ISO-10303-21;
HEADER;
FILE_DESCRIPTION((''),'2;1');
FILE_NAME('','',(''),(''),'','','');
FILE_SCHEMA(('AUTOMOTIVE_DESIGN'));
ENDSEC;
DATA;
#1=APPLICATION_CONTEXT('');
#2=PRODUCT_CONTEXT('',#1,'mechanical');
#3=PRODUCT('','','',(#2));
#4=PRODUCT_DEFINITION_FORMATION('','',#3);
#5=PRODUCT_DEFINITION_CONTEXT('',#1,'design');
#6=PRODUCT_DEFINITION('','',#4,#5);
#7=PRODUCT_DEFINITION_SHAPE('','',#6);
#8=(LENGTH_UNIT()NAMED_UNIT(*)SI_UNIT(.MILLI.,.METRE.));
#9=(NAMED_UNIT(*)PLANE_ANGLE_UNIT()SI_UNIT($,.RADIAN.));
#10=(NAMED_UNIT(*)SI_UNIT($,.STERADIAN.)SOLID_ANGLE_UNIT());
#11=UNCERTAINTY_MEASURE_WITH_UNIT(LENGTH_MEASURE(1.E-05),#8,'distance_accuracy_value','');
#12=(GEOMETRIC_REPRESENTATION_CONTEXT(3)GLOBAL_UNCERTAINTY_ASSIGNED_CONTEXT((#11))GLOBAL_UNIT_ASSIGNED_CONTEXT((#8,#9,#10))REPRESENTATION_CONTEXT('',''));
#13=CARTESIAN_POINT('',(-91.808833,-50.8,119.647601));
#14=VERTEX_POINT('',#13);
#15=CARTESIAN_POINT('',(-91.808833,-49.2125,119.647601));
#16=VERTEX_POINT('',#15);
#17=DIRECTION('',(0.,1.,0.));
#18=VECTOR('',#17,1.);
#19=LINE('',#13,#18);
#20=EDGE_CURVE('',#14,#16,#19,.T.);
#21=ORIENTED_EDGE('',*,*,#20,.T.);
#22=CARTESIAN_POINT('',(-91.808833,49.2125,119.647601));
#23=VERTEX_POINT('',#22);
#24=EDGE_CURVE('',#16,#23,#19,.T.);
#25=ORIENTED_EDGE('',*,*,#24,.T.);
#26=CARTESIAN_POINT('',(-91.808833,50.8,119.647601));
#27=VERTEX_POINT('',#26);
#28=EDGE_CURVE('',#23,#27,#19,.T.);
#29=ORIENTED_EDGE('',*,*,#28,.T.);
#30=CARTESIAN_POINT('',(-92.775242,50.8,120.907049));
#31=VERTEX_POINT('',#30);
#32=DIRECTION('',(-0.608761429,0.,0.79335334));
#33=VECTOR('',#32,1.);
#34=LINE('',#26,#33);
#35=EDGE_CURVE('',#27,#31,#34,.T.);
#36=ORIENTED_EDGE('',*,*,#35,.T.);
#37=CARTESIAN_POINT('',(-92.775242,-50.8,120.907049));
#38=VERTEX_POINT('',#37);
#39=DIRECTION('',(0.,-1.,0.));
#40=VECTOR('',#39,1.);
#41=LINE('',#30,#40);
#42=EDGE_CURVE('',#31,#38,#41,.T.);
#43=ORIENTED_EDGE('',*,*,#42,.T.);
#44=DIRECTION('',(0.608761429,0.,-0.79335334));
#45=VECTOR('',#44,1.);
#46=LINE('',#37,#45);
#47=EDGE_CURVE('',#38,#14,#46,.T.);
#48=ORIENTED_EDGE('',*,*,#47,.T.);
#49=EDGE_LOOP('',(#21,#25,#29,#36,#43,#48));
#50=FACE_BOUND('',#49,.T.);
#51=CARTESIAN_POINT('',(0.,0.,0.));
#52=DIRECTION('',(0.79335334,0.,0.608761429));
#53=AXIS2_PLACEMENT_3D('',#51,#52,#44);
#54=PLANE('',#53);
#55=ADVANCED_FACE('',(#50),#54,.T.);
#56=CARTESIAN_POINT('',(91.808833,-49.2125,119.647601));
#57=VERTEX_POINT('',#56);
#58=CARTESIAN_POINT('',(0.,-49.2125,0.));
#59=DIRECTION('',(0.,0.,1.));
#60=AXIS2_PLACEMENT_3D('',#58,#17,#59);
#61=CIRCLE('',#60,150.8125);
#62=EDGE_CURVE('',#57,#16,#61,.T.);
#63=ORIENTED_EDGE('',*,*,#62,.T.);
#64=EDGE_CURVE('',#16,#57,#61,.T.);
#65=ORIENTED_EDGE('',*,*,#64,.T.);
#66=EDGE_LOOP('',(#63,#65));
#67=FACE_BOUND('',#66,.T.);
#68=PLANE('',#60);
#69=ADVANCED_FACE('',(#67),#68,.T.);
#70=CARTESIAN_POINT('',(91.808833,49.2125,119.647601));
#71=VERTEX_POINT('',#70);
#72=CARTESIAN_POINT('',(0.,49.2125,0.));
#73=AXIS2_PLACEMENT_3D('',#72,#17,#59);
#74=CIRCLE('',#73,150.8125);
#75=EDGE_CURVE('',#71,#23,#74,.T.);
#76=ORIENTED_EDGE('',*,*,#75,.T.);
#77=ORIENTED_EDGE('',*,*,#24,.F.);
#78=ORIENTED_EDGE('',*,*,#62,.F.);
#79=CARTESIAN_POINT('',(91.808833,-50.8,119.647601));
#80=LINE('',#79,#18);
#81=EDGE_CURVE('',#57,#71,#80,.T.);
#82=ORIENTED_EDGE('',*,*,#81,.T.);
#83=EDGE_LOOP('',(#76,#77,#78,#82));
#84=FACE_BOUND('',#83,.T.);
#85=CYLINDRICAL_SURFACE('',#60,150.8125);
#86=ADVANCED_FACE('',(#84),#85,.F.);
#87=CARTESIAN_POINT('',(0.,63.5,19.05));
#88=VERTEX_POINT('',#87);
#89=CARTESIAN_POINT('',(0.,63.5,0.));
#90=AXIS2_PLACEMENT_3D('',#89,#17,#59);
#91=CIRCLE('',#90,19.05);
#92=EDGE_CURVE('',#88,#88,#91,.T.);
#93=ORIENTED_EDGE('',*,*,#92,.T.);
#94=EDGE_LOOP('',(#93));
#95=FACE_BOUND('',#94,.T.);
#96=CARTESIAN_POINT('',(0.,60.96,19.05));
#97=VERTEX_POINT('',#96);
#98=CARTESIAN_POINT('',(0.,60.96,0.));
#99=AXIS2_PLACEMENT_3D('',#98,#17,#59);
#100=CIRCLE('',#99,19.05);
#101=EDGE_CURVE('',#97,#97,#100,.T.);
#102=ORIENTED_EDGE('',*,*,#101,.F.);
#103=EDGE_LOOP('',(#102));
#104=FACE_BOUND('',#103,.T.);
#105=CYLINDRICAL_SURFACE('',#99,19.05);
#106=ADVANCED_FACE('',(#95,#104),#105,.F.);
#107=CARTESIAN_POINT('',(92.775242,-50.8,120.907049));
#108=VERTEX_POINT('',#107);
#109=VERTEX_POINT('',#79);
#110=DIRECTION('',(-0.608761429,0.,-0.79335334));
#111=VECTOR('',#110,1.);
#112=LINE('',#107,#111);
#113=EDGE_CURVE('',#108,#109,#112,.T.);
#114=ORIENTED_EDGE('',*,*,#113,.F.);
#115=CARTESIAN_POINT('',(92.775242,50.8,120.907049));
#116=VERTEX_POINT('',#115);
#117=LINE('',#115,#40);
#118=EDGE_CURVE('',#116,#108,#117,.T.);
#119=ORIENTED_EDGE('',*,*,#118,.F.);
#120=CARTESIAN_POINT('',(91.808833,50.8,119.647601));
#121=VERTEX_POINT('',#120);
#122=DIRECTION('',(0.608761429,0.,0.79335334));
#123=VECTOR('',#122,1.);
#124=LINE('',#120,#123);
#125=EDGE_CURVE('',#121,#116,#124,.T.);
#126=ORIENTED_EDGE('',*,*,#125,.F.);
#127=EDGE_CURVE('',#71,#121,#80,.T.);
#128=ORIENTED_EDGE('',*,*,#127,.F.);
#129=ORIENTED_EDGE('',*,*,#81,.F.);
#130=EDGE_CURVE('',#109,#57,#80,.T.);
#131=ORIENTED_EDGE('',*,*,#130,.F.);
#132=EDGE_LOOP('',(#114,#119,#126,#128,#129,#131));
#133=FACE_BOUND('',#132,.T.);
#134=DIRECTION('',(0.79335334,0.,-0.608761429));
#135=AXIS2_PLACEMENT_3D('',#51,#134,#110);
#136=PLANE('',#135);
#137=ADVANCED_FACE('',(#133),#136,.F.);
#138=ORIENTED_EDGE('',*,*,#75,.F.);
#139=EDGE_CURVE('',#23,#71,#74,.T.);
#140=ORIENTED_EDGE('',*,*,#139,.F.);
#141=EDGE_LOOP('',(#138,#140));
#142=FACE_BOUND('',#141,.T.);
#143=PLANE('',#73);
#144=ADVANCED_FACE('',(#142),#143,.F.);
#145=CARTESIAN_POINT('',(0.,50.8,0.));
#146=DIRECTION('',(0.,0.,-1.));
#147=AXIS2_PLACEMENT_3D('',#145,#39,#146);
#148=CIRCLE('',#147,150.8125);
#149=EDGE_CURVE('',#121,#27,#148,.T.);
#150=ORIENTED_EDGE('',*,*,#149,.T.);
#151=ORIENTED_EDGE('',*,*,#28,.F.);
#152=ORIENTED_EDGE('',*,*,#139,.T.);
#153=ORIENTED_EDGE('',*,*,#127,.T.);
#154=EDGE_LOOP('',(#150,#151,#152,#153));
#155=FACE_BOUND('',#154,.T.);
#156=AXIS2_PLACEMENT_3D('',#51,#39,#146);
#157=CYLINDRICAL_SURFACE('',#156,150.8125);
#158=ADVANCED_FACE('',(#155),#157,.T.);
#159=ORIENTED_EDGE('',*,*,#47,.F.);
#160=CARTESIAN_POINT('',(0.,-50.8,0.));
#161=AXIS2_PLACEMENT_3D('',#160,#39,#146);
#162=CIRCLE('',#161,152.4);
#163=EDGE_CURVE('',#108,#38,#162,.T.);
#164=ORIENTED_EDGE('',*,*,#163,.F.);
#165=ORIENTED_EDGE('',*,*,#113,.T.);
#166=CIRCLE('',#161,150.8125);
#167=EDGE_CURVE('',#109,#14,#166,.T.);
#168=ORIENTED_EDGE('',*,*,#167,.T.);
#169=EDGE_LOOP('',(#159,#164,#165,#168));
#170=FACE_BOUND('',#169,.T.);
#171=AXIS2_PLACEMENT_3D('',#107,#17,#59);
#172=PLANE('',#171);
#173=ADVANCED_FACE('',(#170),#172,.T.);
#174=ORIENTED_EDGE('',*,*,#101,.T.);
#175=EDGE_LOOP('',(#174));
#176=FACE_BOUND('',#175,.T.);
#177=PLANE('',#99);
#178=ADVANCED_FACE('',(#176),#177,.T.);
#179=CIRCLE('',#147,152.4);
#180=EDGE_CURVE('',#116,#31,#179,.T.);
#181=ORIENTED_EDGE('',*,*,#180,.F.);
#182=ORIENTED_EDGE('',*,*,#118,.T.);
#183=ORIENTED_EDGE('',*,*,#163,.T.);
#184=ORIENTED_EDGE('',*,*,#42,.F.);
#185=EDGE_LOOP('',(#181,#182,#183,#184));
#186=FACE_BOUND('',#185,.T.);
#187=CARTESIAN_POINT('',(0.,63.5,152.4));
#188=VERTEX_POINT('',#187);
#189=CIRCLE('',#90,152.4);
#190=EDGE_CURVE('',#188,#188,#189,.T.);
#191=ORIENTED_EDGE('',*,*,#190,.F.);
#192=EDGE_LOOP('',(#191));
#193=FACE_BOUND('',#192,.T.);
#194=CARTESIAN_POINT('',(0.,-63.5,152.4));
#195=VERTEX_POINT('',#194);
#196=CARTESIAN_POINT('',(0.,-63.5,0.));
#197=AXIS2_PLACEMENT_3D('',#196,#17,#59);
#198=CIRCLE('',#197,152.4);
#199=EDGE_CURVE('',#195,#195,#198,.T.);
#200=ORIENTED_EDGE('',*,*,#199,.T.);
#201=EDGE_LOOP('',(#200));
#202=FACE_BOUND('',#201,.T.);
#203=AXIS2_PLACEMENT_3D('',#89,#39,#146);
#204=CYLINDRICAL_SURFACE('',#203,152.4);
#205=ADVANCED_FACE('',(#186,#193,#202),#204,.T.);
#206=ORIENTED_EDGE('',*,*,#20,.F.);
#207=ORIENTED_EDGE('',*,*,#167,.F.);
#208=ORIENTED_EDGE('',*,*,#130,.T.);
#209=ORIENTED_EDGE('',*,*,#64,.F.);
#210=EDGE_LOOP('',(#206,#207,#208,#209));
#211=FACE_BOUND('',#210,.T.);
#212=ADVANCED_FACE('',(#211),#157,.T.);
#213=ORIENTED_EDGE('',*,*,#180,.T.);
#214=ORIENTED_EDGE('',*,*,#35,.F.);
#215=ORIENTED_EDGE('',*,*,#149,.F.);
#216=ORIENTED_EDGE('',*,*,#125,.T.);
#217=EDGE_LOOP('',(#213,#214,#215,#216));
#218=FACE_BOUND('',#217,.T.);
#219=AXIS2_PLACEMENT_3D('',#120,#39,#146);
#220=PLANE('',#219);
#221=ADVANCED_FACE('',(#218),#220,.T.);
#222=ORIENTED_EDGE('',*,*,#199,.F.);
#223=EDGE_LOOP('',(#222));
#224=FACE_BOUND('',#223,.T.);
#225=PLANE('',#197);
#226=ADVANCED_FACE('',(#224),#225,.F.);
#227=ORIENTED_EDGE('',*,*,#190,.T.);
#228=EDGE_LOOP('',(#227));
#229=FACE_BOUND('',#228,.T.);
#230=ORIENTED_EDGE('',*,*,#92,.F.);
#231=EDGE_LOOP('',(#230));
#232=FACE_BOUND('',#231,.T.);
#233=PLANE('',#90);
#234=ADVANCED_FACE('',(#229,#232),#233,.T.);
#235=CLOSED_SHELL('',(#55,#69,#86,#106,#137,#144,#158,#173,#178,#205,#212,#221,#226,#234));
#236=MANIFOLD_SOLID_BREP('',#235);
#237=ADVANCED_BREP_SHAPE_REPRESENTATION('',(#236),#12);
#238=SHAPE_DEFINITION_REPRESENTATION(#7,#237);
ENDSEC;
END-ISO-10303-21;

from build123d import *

# Parameters (mm, degrees)
SKETCH1_R           = 152.4
BOSS_EXTRUDE1_DEPTH = 63.5
SKETCH2_R           = 150.8125
CUT_EXTRUDE1_DEPTH  = 49.2125
SKETCH3_W           = 1.5875
SKETCH3_H           = 101.6
CUT_REVOLVE1_ANGLE  = 75
SKETCH4_R           = 19.05
CUT_EXTRUDE2_DEPTH  = 2.54


with BuildPart() as part:
    # Sketch1 → Boss-Extrude1 (new body, symmetric)
    with BuildSketch(Plane(origin=(0, 0, 0), x_dir=(1, 0, 0), z_dir=(0, 1, 0))):
        Circle(SKETCH1_R)
    extrude(amount=BOSS_EXTRUDE1_DEPTH, both=True)

    # Sketch2 → Cut-Extrude1 (cut, symmetric)
    with BuildSketch(Plane(origin=(0, 0, 0), x_dir=(1, 0, 0), z_dir=(0, 1, 0))):
        Circle(SKETCH2_R)
    extrude(amount=CUT_EXTRUDE1_DEPTH, both=True, mode=Mode.SUBTRACT)

    # Sketch3 → Cut-Revolve1 (revolve, symmetric, cut)
    with BuildSketch(Plane(origin=(0, 0, 0), x_dir=(0, 0, -1), z_dir=(1, 0, 0))) as cut_revolve1_sk:
        with Locations((-151.60625, 0)):
            Rectangle(SKETCH3_W, SKETCH3_H)
    revolve(axis=Axis((0, 0, 0), (0, 1, 0)), revolution_arc=CUT_REVOLVE1_ANGLE / 2, mode=Mode.SUBTRACT)
    revolve(cut_revolve1_sk.sketch, axis=Axis((0, 0, 0), (0, -1, 0)), revolution_arc=CUT_REVOLVE1_ANGLE / 2, mode=Mode.SUBTRACT)

    # Sketch4 → Cut-Extrude2 (cut)
    with BuildSketch(Plane(origin=(0, 63.5, 0), x_dir=(1, 0, 0), z_dir=(0, 1, 0))):
        Circle(SKETCH4_R)
    extrude(amount=-CUT_EXTRUDE2_DEPTH, mode=Mode.SUBTRACT)


solid = part.part
